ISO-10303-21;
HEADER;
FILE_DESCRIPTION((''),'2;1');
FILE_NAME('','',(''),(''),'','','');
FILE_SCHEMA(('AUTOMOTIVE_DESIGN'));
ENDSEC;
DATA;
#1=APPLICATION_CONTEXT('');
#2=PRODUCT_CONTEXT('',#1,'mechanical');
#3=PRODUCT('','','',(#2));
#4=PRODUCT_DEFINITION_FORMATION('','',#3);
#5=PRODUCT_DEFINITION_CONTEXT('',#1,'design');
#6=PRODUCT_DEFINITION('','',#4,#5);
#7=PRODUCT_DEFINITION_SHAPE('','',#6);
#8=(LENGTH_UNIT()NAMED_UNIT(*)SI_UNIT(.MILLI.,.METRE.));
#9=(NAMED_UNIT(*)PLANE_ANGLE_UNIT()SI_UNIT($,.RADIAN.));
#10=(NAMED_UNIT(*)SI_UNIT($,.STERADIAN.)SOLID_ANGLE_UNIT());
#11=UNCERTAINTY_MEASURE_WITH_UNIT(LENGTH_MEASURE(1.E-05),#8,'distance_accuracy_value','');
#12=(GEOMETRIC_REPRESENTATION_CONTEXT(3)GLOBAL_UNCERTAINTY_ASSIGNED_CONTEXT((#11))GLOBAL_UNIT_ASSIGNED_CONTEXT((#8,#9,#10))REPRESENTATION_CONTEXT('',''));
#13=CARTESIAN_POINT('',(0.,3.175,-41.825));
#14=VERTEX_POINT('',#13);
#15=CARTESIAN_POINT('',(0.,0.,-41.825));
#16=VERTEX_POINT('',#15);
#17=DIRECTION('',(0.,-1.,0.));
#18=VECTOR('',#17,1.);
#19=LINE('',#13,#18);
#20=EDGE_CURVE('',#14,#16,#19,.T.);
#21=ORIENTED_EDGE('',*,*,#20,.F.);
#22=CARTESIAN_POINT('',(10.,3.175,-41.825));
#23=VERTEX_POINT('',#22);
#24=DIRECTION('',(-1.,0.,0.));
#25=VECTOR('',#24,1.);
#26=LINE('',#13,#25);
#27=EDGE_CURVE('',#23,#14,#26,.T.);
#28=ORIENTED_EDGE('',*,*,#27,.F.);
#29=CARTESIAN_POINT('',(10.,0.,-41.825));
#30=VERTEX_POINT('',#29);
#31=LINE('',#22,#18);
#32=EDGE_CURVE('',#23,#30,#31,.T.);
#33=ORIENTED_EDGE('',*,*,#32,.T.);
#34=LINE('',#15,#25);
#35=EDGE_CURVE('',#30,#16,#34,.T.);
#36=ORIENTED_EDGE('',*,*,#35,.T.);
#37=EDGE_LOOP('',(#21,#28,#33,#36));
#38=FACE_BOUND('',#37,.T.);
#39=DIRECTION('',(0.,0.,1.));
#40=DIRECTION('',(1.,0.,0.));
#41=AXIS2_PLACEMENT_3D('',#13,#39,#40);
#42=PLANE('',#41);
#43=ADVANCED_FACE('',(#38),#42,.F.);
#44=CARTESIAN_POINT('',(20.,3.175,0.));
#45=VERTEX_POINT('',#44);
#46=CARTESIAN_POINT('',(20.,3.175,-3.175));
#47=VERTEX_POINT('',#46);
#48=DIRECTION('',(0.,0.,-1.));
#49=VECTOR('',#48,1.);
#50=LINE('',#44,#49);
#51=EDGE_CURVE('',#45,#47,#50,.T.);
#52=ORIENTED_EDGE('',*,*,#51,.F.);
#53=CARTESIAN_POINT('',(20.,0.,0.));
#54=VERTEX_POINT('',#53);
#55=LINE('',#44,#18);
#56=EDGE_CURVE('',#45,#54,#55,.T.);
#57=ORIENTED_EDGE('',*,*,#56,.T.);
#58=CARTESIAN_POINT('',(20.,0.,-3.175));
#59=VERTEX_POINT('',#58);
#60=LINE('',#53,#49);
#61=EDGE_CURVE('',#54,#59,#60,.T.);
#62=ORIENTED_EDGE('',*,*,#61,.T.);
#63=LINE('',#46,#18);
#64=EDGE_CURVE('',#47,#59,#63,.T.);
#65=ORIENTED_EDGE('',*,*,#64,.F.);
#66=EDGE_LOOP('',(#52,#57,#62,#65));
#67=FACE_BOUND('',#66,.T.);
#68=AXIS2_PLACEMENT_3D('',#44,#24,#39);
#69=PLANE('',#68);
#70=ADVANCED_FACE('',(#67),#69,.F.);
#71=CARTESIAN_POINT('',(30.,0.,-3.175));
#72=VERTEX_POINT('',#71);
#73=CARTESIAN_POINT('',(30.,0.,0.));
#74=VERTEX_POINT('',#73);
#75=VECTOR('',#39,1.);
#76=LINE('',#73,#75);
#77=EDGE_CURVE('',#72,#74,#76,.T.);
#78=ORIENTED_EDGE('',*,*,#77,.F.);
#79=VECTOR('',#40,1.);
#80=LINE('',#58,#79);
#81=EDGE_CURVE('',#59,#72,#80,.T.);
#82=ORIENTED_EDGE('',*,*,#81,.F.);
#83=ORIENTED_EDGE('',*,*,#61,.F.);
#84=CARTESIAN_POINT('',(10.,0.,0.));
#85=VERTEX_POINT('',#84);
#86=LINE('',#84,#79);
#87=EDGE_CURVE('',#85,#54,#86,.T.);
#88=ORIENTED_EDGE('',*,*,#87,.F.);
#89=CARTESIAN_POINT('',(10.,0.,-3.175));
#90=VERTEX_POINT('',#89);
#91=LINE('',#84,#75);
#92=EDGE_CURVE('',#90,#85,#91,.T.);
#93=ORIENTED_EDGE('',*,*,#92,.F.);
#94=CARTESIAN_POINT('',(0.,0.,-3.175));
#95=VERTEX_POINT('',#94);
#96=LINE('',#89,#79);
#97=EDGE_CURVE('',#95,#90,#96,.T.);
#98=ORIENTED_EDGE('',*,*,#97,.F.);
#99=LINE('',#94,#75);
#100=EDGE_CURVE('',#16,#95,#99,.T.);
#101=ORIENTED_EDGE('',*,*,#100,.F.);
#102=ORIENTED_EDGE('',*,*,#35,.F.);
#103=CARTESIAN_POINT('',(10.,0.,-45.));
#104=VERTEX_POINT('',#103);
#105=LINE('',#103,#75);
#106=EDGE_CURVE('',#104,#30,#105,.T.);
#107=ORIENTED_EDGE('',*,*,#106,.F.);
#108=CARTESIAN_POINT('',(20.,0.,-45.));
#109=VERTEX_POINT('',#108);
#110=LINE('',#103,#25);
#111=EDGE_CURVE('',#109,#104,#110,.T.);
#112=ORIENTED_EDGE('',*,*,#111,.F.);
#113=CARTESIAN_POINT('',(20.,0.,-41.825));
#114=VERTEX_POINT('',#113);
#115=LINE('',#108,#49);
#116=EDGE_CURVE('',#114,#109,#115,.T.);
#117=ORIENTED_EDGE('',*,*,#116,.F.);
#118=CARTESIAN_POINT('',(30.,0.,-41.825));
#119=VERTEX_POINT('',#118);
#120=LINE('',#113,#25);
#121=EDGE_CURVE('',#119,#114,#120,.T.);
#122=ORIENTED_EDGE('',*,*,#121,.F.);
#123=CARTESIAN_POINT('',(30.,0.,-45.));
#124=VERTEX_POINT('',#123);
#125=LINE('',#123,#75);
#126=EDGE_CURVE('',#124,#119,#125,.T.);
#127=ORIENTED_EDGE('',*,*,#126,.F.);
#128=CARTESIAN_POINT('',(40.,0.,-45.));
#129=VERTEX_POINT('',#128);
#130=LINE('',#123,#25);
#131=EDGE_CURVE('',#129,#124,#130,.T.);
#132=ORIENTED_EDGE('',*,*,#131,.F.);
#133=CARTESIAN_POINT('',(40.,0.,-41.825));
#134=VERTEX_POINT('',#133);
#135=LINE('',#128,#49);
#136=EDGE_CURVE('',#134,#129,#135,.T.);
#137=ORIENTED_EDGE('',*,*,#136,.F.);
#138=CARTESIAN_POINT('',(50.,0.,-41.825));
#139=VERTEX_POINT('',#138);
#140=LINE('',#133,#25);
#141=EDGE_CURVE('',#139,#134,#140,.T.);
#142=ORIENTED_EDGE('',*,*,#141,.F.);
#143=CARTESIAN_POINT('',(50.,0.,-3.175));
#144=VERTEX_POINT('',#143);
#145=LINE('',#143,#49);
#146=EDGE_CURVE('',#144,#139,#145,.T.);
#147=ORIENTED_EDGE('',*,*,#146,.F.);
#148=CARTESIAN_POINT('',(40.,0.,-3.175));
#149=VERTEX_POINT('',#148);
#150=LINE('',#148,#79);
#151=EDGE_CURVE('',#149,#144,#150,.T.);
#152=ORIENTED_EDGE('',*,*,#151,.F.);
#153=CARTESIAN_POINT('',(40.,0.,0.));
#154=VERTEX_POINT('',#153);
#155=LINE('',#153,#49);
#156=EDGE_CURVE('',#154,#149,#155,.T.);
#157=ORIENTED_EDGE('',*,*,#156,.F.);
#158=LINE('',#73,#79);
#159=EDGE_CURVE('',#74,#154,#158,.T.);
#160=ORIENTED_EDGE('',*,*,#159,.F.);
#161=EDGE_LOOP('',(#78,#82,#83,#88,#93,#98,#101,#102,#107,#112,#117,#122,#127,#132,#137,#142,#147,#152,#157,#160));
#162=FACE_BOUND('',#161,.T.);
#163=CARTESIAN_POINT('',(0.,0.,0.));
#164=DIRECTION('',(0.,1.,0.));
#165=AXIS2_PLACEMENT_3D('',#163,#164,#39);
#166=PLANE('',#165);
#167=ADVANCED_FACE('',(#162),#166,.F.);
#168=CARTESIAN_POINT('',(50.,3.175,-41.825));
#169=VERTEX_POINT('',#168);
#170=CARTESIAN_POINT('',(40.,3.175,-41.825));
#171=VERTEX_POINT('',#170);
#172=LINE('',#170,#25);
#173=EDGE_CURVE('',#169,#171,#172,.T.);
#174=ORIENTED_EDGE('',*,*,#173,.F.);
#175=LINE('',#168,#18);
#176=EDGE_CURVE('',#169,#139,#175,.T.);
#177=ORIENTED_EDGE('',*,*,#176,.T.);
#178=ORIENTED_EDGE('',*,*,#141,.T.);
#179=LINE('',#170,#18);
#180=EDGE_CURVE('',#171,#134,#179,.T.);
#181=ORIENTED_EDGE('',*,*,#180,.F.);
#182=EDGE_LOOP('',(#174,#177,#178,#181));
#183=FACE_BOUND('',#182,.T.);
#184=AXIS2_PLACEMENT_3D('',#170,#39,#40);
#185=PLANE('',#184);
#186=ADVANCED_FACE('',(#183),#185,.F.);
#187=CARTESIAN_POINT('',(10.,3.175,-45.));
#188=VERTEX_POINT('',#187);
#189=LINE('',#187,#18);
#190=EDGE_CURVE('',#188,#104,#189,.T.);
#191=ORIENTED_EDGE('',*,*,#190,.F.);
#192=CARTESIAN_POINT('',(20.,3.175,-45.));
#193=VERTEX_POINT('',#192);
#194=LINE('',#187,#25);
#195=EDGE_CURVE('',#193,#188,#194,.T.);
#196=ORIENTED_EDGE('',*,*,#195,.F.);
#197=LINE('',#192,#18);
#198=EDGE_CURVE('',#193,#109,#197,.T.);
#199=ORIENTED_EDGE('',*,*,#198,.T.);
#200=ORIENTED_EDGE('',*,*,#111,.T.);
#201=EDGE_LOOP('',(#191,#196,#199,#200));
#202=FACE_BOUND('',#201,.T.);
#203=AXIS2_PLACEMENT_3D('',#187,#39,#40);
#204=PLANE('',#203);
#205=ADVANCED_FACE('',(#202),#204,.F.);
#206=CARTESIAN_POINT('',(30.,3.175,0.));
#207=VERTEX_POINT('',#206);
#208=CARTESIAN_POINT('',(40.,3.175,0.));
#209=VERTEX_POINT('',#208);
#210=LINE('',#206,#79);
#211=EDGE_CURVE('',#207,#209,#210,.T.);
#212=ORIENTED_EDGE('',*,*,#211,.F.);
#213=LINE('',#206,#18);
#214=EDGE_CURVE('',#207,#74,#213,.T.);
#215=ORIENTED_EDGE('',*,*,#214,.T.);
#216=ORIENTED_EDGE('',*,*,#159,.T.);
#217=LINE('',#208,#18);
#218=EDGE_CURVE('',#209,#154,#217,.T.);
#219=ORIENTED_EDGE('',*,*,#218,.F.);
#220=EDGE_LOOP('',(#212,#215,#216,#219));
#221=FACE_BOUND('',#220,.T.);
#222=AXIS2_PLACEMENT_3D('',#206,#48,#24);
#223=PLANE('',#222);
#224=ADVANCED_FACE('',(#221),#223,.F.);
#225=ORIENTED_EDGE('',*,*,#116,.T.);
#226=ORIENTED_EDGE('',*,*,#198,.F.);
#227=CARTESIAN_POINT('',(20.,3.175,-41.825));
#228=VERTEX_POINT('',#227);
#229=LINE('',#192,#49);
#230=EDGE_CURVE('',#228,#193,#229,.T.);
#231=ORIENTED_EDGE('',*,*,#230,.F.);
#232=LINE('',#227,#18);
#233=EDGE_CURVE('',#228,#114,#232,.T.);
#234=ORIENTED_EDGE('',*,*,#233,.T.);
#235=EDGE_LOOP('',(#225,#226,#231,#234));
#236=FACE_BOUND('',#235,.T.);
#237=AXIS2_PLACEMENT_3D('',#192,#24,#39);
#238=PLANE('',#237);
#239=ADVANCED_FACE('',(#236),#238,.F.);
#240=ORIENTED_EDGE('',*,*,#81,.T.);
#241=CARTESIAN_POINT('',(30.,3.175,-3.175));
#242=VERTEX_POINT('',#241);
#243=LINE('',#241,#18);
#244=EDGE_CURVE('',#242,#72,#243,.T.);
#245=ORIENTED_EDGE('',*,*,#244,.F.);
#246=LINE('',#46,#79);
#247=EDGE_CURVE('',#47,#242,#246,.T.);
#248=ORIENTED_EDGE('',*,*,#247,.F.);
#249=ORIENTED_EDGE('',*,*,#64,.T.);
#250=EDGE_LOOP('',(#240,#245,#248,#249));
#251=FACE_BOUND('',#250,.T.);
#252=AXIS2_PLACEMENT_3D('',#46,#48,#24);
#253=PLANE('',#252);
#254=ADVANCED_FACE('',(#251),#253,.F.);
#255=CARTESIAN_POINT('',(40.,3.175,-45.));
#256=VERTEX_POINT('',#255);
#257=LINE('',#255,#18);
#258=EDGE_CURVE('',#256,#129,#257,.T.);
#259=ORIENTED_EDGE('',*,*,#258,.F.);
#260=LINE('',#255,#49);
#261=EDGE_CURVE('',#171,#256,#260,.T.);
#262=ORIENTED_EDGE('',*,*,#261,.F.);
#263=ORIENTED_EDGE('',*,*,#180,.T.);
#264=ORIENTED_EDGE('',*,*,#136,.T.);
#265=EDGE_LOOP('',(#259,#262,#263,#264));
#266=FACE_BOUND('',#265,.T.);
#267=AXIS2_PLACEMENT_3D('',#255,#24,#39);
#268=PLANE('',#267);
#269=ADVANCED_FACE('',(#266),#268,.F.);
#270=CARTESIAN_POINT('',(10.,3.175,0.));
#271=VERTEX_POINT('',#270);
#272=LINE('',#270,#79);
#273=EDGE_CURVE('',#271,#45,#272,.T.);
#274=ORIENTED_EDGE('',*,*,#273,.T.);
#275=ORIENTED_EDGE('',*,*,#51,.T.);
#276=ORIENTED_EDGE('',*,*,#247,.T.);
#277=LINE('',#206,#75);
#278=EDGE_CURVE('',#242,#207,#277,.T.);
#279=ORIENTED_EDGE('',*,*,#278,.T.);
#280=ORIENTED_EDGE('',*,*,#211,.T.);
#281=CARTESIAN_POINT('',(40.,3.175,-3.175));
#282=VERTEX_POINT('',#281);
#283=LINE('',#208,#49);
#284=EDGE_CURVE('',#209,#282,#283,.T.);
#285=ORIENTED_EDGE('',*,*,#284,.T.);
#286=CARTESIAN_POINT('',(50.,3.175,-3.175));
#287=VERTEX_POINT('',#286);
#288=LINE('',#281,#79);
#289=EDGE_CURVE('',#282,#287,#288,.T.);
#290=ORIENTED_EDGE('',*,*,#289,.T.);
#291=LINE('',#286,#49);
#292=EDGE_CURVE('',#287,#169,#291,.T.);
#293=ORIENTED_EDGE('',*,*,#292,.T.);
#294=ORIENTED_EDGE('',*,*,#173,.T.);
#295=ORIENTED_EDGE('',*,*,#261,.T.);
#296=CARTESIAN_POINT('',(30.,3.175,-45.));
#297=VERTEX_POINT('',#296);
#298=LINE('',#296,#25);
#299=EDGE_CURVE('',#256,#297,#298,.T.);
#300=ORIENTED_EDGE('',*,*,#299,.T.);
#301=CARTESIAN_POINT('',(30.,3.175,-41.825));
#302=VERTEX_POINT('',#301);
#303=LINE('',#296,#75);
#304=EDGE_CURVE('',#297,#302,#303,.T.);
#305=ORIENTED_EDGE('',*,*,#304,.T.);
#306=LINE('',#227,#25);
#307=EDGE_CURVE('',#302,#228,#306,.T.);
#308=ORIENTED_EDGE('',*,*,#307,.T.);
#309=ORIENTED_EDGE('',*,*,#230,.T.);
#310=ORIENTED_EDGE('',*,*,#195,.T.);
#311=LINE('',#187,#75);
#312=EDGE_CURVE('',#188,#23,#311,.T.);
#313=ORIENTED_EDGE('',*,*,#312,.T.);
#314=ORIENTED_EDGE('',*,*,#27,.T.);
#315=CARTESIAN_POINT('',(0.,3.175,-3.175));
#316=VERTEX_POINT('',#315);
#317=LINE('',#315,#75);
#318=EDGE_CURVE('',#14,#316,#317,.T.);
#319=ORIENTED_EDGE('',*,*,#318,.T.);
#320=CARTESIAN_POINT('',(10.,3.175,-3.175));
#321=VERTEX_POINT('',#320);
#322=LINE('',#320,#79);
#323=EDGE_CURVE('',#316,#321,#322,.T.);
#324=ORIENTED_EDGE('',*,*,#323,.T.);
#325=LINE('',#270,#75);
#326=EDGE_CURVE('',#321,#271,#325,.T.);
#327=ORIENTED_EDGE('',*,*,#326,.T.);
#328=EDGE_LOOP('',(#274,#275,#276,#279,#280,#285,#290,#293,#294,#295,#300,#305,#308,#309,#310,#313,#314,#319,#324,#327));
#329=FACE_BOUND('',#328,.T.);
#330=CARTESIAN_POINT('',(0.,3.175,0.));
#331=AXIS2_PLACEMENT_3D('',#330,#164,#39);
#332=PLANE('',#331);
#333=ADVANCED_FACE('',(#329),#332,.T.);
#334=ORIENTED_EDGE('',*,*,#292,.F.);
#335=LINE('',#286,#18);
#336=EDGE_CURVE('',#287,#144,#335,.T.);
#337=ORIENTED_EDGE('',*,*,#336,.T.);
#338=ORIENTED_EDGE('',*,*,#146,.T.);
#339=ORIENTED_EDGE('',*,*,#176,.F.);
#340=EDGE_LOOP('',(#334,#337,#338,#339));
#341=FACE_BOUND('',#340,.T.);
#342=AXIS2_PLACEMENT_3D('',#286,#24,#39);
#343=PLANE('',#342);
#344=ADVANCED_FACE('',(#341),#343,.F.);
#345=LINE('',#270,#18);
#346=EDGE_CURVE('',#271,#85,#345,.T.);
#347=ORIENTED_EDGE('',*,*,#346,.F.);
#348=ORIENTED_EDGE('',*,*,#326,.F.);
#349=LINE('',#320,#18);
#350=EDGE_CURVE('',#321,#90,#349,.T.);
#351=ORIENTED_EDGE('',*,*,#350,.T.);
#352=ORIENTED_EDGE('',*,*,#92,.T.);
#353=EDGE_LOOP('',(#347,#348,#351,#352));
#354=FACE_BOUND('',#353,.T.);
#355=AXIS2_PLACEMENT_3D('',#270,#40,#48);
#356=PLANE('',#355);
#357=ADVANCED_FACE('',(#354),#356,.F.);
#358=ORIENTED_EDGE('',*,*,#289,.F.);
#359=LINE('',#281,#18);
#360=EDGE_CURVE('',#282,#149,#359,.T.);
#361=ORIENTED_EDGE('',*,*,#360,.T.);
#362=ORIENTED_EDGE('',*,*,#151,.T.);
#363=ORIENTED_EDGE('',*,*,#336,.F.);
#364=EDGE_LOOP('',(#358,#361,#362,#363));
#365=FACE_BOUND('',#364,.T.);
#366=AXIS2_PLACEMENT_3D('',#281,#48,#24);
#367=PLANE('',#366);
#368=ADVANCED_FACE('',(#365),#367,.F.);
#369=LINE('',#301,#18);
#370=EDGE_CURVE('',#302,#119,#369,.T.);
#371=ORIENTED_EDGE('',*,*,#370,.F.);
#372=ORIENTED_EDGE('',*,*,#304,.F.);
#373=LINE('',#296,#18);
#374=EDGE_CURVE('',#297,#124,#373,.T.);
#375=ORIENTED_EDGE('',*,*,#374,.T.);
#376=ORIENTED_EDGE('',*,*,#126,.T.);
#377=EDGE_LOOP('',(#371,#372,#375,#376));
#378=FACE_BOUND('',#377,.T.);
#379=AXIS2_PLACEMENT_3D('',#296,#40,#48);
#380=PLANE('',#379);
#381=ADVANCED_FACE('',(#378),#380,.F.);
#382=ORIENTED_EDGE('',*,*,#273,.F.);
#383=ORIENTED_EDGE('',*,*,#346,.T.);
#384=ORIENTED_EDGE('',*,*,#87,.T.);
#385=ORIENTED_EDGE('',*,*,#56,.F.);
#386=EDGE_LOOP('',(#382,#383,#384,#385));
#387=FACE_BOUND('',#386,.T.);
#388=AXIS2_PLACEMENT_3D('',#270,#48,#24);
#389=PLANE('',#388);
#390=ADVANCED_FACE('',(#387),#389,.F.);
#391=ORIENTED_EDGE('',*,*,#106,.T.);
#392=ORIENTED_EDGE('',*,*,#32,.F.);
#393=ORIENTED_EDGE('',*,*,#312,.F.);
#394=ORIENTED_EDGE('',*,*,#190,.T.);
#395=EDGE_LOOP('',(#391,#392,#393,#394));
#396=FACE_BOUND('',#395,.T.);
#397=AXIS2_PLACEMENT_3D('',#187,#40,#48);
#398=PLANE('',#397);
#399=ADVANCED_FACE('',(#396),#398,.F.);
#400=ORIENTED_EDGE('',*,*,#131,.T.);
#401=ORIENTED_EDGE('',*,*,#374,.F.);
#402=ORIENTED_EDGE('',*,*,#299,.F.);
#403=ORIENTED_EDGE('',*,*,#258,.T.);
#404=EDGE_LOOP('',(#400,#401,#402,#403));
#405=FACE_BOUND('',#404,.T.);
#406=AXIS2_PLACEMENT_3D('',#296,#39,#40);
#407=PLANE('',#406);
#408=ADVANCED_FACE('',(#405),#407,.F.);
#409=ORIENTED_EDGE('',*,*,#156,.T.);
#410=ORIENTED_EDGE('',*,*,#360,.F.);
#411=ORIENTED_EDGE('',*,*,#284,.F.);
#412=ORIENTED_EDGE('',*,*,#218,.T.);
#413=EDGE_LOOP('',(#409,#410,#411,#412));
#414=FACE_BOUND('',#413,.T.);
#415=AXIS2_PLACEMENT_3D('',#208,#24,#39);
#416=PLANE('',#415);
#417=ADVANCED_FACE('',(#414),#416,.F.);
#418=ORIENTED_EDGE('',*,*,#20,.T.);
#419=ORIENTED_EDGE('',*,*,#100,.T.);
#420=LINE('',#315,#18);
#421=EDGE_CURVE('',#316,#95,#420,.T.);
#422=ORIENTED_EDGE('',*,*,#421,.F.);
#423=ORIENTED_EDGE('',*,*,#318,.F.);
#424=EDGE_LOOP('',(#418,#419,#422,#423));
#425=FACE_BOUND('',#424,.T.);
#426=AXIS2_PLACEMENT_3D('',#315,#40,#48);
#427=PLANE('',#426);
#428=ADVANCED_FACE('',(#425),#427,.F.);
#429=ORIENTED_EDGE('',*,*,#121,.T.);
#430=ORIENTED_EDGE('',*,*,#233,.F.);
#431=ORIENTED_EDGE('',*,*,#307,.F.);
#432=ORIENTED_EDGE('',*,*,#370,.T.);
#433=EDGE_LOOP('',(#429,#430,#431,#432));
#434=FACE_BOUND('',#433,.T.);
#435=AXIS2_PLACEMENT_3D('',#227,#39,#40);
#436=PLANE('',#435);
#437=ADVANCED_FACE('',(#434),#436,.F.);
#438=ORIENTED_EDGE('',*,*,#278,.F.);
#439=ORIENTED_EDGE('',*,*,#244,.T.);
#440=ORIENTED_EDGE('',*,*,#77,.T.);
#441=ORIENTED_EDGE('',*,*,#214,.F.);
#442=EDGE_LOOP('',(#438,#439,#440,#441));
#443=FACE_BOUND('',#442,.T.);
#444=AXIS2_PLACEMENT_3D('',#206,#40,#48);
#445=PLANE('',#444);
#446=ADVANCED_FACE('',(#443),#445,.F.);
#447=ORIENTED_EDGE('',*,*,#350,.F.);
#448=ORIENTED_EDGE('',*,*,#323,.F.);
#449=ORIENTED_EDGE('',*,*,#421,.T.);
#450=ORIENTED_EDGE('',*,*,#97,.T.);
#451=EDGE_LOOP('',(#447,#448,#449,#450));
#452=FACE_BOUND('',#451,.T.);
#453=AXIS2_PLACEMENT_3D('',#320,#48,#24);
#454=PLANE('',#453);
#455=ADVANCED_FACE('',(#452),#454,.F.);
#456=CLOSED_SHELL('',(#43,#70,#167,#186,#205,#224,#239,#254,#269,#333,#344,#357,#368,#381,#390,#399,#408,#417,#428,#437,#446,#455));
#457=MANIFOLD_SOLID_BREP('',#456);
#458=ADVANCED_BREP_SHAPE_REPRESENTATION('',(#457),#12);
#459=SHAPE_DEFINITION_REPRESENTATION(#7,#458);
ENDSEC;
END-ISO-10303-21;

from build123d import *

# Parameters (mm, degrees)
BOSS_EXTRUDE1_DEPTH = 3.175


with BuildPart() as part:
    # Sketch1 → Boss-Extrude1 (new body)
    with BuildSketch(Plane(origin=(0, 0, 0), x_dir=(1, 0, 0), z_dir=(0, 1, 0))):
        Polygon((0, 3.175), (0, 41.825), (10, 41.825), (10, 45), (20, 45), (20, 41.825), (30, 41.825), (30, 45), (40, 45), (40, 41.825), (50, 41.825), (50, 3.175), (40, 3.175), (40, 0), (30, 0), (30, 3.175), (20, 3.175), (20, 0), (10, 0), (10, 3.175), align=None)
    extrude(amount=BOSS_EXTRUDE1_DEPTH)


solid = part.part
